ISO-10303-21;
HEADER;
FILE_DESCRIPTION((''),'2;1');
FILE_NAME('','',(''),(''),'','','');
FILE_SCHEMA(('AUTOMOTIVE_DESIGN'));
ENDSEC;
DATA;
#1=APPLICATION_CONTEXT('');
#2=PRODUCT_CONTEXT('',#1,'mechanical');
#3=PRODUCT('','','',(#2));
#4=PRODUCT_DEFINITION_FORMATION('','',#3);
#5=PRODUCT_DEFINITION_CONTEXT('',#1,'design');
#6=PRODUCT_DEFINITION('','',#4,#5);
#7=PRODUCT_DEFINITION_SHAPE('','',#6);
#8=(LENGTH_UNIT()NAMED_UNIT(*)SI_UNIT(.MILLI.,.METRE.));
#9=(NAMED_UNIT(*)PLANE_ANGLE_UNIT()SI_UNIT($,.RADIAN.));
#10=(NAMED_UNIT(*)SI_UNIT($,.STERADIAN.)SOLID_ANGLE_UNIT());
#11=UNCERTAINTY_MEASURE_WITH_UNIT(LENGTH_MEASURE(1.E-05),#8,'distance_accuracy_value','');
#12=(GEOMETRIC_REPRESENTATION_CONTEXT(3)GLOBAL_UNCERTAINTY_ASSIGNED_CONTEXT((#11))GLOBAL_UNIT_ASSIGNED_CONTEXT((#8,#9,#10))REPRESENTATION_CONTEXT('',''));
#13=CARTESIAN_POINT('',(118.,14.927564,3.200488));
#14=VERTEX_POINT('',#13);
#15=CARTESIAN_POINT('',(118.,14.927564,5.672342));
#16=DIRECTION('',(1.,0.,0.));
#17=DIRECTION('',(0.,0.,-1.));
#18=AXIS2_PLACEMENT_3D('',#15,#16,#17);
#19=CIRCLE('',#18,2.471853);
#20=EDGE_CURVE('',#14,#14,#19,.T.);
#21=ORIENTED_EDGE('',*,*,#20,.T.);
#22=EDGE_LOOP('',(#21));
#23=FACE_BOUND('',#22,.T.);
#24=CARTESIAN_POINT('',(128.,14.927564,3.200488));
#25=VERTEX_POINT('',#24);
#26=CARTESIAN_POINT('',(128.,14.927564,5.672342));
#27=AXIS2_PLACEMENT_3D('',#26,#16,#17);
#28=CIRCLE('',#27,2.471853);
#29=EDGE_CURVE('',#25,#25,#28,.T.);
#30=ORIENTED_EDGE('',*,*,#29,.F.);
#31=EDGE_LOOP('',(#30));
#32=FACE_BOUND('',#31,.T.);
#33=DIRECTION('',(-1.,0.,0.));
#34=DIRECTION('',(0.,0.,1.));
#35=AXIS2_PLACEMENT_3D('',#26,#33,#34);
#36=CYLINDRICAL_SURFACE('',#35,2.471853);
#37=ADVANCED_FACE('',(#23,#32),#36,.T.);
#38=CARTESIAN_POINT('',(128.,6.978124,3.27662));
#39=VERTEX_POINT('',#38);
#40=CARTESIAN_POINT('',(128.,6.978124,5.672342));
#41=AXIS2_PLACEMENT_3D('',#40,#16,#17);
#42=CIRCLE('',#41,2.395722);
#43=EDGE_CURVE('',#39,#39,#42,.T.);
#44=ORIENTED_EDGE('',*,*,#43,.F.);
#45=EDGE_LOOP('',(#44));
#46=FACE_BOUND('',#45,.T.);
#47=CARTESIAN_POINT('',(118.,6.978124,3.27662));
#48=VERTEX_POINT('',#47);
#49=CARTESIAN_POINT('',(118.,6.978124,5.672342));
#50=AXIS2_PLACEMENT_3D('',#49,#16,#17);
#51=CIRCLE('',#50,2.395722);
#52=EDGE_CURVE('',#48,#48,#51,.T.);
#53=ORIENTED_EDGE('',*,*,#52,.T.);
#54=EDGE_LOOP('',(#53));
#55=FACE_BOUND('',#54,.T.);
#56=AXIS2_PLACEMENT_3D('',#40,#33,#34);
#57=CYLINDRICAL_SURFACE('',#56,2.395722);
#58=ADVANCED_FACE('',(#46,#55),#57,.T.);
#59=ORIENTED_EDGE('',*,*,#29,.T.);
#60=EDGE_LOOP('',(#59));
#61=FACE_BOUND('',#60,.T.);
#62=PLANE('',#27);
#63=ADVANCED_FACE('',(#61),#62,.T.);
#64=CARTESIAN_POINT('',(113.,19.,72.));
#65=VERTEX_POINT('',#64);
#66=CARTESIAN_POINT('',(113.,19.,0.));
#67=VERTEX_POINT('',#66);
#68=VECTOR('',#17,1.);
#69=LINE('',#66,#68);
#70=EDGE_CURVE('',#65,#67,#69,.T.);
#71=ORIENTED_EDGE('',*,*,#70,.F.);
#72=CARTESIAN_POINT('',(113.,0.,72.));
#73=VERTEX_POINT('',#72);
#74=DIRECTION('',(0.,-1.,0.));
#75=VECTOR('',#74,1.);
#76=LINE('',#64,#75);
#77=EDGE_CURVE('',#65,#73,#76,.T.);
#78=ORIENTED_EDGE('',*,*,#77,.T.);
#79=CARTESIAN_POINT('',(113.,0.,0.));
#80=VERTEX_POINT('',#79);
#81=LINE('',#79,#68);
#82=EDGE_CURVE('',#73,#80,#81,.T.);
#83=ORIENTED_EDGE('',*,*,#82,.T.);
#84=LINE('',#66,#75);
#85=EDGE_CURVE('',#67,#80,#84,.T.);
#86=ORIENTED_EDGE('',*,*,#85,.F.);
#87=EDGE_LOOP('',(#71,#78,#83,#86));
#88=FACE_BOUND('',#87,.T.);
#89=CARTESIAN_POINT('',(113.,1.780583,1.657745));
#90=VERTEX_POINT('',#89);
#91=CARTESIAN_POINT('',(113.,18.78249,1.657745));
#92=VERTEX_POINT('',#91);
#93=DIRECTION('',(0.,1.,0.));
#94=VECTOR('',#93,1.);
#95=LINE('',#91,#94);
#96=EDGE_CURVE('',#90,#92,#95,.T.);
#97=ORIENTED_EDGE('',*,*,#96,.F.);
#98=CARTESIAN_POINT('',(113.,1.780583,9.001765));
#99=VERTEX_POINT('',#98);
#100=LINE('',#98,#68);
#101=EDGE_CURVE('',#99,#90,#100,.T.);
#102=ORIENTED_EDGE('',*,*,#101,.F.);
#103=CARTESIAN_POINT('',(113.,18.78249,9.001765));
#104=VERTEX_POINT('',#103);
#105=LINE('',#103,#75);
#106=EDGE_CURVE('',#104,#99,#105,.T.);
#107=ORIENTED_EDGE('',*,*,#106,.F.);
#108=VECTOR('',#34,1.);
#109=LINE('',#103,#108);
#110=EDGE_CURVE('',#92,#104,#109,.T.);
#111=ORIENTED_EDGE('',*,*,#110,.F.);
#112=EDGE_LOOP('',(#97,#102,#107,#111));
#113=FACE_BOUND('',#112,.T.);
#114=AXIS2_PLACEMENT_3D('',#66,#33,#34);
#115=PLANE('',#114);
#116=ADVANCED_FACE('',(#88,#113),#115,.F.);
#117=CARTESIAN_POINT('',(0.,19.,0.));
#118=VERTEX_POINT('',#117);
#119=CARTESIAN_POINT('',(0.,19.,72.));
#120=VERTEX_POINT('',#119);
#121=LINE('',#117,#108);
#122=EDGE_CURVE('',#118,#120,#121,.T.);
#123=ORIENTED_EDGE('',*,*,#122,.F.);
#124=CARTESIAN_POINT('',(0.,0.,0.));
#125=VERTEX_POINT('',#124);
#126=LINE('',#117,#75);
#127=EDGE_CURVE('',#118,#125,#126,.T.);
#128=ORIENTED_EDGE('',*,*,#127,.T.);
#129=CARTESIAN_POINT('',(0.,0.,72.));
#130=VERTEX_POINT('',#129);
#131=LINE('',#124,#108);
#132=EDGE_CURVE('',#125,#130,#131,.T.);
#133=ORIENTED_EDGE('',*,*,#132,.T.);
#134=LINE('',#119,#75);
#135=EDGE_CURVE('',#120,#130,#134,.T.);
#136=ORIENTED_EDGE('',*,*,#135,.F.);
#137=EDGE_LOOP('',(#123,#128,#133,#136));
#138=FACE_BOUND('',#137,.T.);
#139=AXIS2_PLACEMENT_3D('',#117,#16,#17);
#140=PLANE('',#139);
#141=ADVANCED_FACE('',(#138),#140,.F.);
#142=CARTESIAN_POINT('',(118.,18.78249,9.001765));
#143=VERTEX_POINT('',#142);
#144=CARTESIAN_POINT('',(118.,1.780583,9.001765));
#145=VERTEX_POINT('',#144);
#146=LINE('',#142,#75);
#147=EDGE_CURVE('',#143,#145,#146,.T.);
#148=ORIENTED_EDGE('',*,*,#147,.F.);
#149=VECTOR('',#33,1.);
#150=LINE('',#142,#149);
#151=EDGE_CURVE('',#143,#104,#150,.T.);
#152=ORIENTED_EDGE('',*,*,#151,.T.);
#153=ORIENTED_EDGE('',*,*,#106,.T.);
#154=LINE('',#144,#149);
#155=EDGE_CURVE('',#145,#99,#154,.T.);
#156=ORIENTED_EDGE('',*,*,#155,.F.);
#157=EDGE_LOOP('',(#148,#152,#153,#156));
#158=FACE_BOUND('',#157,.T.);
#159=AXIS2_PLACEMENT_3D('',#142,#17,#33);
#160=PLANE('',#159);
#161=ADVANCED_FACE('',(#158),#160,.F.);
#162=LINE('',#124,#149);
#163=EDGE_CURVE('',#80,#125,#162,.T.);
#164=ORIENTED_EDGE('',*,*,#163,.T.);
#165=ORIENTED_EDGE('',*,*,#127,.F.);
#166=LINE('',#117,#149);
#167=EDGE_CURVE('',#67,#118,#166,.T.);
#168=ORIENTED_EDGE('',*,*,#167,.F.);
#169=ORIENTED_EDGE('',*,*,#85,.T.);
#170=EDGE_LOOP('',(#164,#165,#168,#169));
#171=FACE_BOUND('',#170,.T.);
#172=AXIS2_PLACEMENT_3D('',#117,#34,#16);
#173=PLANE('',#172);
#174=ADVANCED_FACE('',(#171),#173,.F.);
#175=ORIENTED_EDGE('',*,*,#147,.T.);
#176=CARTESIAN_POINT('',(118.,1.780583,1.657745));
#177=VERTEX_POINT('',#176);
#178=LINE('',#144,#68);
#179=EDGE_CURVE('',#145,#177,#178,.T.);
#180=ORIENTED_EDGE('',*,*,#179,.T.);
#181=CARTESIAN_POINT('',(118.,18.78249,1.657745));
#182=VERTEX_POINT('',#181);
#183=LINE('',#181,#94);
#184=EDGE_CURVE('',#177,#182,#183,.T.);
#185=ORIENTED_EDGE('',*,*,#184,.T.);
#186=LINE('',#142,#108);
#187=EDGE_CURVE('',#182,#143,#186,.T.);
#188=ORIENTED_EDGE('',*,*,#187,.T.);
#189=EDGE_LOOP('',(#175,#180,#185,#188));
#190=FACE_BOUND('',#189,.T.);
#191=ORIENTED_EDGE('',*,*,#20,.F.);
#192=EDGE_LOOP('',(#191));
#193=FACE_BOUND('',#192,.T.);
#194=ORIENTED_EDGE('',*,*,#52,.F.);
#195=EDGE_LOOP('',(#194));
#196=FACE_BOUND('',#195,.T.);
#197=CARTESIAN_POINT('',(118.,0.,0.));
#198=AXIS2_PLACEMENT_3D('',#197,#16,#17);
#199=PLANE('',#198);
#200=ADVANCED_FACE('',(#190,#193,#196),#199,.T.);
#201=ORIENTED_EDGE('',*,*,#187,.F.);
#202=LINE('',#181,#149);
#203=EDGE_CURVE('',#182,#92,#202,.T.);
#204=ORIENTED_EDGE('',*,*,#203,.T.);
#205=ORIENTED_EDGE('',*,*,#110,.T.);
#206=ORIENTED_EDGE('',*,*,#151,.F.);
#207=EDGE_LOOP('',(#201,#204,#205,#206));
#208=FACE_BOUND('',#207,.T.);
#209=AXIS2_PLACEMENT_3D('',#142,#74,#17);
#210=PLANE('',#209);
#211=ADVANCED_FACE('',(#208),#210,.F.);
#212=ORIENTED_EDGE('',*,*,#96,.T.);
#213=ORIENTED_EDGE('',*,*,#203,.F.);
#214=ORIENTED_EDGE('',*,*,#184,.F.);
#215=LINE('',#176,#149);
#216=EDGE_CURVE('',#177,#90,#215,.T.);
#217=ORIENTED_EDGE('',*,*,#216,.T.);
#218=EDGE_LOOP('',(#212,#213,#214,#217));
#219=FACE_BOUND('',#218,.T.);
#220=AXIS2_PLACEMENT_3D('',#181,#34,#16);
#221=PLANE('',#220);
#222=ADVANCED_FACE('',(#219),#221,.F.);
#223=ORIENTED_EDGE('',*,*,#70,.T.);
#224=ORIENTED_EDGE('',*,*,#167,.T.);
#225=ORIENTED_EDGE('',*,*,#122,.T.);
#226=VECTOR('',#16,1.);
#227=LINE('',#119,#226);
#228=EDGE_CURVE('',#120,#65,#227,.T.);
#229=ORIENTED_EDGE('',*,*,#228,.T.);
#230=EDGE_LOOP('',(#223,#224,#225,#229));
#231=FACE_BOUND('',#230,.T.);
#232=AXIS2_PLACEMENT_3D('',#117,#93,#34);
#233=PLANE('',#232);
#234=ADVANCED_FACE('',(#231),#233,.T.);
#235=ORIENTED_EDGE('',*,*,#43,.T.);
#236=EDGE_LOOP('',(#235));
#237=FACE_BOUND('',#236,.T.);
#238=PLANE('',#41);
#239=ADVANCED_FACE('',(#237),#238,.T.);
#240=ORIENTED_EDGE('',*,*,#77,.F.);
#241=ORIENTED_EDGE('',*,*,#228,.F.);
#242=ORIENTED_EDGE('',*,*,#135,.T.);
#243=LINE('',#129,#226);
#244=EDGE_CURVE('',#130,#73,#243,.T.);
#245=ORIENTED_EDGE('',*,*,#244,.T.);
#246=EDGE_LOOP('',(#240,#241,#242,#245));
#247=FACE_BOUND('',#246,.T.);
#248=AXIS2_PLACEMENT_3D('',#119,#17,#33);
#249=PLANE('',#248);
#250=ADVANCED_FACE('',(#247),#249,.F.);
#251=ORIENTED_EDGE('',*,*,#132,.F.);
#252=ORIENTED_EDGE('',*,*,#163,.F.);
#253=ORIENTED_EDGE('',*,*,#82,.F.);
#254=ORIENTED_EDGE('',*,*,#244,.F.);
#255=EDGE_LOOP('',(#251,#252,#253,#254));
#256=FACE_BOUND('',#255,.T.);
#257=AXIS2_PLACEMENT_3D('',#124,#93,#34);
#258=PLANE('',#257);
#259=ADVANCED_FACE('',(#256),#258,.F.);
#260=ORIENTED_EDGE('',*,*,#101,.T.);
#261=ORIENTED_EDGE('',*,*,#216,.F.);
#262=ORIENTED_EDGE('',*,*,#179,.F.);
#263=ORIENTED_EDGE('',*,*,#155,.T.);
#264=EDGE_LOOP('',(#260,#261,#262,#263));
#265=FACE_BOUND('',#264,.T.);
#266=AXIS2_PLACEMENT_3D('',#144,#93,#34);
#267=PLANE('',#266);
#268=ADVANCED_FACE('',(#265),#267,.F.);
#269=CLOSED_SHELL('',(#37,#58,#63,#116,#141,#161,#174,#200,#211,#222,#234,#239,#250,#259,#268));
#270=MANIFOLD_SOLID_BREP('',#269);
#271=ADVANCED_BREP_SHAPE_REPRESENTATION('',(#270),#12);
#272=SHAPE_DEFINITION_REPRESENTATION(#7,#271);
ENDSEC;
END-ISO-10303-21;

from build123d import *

# Parameters (mm, degrees)
SKETCH_1_W      = 113
SKETCH_1_H      = 72
EXTRUDE_1_DEPTH = 19
SKETCH_2_W      = 7.344019186
SKETCH_2_H      = 17.001907431
EXTRUDE_2_DEPTH = 5
SKETCH_3_R      = 2.471853224
SKETCH_3_R_2    = 2.395721662
EXTRUDE_3_DEPTH = 10


with BuildPart() as part:
    # 草图1 → 凸台-拉伸1 (new body)
    with BuildSketch(Plane(origin=(0, 0, 0), x_dir=(1, 0, 0), z_dir=(0, 1, 0))):
        with Locations((56.5, -36)):
            Rectangle(SKETCH_1_W, SKETCH_1_H)
    extrude(amount=EXTRUDE_1_DEPTH)

    # 草图2 → 凸台-拉伸2 (add)
    with BuildSketch(Plane(origin=(113, 0, 0), x_dir=(0, 0, -1), z_dir=(1, 0, 0))):
        with Locations((-5.329755024, 10.281536394)):
            Rectangle(SKETCH_2_W, SKETCH_2_H)
    extrude(amount=EXTRUDE_2_DEPTH)

    # 草图3 → 凸台-拉伸3 (add)
    with BuildSketch(Plane(origin=(118, 0, 0), x_dir=(0, 0, -1), z_dir=(1, 0, 0))):
        with Locations((-5.672341685, 14.927563873)):
            Circle(SKETCH_3_R)
        with Locations((-5.672341685, 6.978123812)):
            Circle(SKETCH_3_R_2)
    extrude(amount=EXTRUDE_3_DEPTH)


solid = part.part
